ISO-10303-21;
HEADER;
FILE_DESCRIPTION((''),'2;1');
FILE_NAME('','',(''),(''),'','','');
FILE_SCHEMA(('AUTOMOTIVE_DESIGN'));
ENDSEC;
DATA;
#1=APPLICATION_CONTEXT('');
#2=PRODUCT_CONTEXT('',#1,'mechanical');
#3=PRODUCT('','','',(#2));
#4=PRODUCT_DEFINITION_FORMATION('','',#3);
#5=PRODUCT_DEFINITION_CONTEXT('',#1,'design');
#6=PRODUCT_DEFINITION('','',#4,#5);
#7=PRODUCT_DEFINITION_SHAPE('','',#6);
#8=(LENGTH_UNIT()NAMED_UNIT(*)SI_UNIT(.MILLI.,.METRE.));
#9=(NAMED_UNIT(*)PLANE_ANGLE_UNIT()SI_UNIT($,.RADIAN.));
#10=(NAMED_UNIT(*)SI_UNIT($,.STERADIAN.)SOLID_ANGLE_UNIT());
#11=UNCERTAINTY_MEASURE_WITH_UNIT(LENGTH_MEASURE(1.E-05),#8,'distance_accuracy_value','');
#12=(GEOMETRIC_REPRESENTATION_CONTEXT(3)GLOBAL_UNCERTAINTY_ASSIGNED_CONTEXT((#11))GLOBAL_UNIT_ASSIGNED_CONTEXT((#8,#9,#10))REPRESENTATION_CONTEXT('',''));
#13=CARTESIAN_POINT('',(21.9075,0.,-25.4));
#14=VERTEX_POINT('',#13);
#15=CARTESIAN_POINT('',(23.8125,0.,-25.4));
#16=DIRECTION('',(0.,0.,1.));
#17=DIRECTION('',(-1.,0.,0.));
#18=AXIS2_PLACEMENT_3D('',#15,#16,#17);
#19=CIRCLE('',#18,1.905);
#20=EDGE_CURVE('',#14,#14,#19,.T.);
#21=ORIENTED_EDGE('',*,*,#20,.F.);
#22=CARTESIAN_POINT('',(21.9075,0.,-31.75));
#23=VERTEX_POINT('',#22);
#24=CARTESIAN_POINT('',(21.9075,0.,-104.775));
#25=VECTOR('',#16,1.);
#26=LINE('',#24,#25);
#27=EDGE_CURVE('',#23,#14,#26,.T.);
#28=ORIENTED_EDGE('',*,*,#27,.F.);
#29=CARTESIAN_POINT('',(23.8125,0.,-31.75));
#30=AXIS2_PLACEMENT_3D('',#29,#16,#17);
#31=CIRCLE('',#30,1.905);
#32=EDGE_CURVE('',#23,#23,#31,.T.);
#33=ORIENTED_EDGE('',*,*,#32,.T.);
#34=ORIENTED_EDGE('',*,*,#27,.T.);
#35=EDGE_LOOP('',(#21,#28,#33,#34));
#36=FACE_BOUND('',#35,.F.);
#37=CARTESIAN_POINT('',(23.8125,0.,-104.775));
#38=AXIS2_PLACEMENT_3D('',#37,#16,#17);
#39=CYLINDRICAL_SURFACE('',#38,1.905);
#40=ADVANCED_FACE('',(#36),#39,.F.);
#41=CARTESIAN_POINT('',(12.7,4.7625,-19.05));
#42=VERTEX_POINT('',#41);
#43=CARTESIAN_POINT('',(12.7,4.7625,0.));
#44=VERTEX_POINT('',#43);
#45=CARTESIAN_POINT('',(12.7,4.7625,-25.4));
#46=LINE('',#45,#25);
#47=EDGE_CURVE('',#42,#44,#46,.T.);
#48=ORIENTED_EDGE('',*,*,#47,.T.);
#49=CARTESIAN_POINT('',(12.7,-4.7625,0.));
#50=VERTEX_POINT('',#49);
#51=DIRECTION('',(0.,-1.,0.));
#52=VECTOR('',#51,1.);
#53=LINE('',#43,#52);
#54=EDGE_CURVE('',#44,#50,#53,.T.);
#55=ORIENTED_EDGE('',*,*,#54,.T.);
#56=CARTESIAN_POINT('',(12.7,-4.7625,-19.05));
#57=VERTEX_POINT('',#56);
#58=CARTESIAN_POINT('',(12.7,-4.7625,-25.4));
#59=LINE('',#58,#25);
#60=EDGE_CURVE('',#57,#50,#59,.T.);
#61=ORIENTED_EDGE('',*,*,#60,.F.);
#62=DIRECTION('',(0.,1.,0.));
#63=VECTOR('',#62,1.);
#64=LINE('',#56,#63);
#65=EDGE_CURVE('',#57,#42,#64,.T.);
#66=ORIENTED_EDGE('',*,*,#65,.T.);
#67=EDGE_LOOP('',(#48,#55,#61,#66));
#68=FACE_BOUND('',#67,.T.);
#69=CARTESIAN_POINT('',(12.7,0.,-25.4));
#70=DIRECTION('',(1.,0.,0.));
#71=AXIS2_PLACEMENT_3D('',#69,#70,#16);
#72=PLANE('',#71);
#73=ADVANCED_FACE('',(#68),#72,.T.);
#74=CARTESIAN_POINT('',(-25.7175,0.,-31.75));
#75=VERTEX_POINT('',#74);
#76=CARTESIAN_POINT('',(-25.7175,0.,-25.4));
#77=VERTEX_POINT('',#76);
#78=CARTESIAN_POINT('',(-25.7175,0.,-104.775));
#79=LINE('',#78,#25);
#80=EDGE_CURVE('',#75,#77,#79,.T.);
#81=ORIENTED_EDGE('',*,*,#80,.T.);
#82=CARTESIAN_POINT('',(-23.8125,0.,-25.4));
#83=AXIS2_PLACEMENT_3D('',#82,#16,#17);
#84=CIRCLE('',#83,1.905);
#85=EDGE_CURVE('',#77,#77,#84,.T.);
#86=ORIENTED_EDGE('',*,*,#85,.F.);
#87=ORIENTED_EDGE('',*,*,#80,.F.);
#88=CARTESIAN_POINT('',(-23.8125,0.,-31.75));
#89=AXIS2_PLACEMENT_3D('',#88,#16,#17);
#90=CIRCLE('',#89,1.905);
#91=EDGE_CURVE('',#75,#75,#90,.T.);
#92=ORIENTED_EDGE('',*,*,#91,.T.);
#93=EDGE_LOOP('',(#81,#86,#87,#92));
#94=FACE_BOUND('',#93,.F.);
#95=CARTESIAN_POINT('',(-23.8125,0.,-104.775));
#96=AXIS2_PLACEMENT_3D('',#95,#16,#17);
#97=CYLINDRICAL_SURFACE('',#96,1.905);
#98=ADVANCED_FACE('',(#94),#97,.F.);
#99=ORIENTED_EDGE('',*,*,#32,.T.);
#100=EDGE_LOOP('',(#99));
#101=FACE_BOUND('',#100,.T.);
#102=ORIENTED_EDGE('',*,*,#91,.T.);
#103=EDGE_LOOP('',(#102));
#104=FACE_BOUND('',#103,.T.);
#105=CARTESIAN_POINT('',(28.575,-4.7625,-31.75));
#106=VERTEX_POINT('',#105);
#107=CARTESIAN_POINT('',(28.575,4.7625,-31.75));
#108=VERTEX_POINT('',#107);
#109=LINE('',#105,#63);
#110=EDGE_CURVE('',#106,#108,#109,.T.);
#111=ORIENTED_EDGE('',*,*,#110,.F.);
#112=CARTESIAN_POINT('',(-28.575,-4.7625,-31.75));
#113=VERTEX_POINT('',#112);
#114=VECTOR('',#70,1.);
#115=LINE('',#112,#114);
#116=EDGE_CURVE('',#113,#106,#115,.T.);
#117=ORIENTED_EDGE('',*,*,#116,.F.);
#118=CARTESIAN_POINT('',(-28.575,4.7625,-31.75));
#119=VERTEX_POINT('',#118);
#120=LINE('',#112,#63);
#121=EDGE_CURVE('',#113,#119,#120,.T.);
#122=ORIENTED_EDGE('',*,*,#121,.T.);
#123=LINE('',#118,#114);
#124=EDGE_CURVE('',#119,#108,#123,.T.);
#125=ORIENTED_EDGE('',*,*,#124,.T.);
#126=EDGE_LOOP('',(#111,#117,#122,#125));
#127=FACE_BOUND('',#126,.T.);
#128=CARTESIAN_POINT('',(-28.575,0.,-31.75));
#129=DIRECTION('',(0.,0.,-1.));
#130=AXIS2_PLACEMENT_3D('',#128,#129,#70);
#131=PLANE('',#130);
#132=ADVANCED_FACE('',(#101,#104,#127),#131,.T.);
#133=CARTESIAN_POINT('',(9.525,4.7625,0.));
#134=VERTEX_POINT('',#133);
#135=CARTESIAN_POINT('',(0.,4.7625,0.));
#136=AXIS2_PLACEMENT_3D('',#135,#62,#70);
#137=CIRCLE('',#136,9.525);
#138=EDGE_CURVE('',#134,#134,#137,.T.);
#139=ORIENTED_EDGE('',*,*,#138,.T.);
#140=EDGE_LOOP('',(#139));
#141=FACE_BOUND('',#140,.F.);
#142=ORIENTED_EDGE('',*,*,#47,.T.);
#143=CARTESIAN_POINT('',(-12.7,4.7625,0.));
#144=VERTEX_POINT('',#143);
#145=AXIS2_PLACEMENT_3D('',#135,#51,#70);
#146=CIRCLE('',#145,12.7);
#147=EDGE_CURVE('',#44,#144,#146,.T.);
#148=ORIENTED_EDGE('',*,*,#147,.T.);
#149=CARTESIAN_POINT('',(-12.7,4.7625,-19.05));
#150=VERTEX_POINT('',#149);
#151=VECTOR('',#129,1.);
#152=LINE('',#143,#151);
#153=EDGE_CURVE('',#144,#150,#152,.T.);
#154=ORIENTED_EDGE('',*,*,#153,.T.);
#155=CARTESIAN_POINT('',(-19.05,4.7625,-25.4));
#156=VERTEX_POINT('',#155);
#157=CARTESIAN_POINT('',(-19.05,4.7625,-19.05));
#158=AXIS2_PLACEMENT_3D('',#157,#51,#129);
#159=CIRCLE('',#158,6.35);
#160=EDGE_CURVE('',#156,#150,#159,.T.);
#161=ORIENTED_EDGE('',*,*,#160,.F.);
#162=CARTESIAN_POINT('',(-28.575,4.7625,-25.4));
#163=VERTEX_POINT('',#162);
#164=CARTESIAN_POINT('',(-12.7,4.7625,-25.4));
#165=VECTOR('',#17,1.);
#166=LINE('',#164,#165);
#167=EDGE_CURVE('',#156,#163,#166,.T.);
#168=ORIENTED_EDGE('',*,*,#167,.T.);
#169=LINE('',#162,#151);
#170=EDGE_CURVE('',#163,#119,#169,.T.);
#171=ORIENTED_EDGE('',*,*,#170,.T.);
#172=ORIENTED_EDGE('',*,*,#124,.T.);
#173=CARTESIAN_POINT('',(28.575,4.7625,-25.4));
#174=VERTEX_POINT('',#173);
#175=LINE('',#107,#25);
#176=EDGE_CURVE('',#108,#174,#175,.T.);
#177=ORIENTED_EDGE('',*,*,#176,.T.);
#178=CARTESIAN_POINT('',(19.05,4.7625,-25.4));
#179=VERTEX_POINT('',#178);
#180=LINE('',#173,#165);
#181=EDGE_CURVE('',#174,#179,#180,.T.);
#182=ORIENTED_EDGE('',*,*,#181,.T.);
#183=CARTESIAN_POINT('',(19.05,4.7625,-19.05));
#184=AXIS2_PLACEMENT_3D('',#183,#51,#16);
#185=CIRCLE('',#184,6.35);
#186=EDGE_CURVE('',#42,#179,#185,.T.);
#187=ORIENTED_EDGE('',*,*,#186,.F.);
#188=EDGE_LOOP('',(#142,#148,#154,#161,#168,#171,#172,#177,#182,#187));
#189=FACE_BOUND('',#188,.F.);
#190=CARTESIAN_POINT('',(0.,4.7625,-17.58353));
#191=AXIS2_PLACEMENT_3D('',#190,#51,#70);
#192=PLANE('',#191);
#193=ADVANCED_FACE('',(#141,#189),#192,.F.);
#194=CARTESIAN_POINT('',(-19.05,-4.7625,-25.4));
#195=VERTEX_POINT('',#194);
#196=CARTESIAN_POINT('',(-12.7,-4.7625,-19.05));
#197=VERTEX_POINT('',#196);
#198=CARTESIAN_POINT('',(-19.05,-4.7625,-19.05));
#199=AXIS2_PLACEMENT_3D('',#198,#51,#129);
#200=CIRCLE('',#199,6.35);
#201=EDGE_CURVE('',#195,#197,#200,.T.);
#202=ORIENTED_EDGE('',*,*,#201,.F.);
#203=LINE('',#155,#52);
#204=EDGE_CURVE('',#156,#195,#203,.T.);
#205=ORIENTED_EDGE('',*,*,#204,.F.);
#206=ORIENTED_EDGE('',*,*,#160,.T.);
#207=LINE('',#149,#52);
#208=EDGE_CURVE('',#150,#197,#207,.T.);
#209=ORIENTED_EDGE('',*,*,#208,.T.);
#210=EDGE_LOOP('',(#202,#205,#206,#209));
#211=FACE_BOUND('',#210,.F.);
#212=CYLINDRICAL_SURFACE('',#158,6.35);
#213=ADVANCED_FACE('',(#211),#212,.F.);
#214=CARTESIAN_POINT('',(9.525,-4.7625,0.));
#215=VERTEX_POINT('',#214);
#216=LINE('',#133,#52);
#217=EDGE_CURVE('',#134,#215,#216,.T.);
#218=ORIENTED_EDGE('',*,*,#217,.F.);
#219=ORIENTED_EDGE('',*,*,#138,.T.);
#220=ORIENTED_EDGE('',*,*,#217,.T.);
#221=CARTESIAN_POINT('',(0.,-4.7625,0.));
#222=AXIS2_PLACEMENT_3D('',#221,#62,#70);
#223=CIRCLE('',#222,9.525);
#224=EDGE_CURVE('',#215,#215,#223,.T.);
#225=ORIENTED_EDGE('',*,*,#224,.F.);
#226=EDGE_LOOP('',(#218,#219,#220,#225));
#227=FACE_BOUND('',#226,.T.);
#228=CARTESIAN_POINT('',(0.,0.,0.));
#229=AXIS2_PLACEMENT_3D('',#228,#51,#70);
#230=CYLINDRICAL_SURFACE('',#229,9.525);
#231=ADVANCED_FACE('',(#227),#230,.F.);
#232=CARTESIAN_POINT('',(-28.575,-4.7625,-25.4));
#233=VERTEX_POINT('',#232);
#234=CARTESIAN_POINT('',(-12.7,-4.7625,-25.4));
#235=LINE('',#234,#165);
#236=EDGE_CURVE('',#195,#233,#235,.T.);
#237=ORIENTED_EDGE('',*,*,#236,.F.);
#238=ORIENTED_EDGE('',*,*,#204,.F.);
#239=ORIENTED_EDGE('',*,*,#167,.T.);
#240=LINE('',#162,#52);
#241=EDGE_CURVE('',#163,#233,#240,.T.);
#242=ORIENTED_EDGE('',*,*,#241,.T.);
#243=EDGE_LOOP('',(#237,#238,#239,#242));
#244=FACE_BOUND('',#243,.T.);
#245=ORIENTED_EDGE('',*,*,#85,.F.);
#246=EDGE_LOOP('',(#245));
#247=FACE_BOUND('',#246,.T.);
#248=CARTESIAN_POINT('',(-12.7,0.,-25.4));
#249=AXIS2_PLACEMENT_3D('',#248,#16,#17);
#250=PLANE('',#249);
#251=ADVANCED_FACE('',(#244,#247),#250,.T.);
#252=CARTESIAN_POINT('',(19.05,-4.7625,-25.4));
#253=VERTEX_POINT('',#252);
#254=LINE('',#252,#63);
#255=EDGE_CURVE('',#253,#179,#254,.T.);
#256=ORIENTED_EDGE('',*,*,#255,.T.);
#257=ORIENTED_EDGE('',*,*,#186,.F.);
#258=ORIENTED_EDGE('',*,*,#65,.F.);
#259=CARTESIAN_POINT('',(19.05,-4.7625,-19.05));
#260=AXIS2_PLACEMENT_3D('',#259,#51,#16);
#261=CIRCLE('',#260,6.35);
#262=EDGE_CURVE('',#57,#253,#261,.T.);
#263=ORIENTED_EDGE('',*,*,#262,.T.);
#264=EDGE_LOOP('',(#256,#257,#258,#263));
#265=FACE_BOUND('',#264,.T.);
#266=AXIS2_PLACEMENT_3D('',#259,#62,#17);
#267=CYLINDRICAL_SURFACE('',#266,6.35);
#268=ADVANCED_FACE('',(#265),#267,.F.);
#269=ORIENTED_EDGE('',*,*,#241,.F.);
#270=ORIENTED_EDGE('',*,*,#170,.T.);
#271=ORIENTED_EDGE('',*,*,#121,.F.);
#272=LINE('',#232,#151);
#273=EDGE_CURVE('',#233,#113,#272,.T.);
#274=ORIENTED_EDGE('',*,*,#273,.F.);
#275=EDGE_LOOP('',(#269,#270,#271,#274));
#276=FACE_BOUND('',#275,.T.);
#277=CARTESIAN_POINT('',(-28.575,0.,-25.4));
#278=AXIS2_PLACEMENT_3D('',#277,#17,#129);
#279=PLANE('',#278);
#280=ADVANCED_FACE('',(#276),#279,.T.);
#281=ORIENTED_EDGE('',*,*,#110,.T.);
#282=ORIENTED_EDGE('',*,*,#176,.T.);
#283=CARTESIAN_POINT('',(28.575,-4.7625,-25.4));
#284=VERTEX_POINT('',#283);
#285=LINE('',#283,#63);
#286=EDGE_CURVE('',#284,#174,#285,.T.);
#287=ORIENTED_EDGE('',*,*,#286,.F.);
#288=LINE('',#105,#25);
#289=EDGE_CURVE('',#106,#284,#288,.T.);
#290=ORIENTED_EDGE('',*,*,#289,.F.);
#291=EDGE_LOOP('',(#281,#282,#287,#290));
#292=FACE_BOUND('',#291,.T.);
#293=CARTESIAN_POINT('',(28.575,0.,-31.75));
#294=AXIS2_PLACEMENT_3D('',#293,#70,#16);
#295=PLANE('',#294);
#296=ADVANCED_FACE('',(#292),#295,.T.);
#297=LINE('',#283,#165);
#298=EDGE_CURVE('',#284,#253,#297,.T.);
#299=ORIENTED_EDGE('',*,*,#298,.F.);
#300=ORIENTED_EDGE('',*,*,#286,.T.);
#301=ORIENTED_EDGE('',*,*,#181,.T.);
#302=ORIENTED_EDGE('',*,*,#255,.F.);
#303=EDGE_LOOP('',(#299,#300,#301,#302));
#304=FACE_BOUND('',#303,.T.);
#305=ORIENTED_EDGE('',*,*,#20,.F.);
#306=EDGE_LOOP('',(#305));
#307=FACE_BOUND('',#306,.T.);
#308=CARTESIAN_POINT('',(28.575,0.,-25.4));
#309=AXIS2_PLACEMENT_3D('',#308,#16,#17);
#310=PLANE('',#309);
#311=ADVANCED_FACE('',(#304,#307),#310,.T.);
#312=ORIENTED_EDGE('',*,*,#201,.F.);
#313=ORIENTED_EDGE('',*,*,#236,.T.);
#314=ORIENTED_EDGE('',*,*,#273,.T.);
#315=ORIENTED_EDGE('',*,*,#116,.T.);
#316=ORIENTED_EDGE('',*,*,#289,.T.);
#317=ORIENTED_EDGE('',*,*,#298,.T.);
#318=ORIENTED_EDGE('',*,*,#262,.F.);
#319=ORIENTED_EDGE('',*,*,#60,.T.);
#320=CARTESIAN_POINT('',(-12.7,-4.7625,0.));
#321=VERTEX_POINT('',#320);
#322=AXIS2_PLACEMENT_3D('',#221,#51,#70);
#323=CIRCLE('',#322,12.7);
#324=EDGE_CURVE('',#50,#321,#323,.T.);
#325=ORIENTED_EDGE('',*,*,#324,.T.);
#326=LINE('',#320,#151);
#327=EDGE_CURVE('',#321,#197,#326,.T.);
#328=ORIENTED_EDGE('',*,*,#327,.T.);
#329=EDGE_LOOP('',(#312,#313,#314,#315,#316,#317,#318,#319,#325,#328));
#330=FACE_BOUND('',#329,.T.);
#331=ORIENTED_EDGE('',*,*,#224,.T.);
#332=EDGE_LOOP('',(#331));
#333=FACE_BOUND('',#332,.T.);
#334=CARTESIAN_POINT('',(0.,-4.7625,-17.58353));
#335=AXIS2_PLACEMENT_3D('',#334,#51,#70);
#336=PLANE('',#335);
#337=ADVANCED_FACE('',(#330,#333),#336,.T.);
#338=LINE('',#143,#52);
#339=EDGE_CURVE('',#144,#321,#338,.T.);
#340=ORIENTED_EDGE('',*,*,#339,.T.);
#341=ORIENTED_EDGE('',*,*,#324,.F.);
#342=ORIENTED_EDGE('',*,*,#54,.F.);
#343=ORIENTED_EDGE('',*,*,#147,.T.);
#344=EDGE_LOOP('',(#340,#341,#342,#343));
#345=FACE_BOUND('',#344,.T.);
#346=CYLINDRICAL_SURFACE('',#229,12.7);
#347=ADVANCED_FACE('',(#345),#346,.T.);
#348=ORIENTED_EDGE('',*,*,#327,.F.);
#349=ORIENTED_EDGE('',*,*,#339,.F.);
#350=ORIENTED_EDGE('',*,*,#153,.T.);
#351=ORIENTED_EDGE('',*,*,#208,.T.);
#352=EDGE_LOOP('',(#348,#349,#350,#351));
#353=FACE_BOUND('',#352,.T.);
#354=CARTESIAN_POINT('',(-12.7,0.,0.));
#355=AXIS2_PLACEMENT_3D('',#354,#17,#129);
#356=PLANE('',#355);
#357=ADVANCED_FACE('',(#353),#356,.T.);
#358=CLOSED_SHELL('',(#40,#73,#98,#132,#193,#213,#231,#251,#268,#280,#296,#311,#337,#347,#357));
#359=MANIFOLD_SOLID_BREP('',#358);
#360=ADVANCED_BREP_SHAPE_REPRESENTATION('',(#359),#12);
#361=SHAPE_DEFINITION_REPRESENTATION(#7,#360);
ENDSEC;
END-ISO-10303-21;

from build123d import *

# Parameters (mm, degrees)
F1_DEPTH = 4.7625
F2_R     = 6.35
F4_D     = 3.81


with BuildPart() as f1:
    # F0 (on Front) → F1 (new body, symmetric)
    with BuildSketch(Plane.XZ):
        with BuildLine():
            Line((12.7, -25.4), (12.7, 0))
            ThreePointArc((12.7, 0), (0, 12.7), (-12.7, 0))
            Line((-12.7, 0), (-12.7, -25.4))
            Line((-12.7, -25.4), (-28.575, -25.4))
            Line((-28.575, -25.4), (-28.575, -31.75))
            Line((-28.575, -31.75), (28.575, -31.75))
            Line((28.575, -31.75), (28.575, -25.4))
            Line((28.575, -25.4), (12.7, -25.4))
        make_face()
        with BuildLine():
            ThreePointArc((-9.525, 1e-08), (5e-09, 9.525), (9.525, 0))
            ThreePointArc((9.525, 0), (-5e-09, -9.525), (-9.525, 1e-08))
        make_face(mode=Mode.SUBTRACT)
    extrude(amount=F1_DEPTH, both=True)

    # F2
    f2_edges = [f1.edges().sort_by_distance(p)[0] for p in [
        (-12.7, 0, -25.4),
        (12.7, 0, -25.4),
    ]]
    fillet(f2_edges, radius=F2_R)

    # F4 (through all)
    with Locations(Plane(origin=(0, 0, -31.75), x_dir=(1, 0, 0), z_dir=(0, 0, -1))):
        with Locations((-23.8125, 0), (23.8125, 0)):
            Hole(F4_D / 2)


solid = f1.part
